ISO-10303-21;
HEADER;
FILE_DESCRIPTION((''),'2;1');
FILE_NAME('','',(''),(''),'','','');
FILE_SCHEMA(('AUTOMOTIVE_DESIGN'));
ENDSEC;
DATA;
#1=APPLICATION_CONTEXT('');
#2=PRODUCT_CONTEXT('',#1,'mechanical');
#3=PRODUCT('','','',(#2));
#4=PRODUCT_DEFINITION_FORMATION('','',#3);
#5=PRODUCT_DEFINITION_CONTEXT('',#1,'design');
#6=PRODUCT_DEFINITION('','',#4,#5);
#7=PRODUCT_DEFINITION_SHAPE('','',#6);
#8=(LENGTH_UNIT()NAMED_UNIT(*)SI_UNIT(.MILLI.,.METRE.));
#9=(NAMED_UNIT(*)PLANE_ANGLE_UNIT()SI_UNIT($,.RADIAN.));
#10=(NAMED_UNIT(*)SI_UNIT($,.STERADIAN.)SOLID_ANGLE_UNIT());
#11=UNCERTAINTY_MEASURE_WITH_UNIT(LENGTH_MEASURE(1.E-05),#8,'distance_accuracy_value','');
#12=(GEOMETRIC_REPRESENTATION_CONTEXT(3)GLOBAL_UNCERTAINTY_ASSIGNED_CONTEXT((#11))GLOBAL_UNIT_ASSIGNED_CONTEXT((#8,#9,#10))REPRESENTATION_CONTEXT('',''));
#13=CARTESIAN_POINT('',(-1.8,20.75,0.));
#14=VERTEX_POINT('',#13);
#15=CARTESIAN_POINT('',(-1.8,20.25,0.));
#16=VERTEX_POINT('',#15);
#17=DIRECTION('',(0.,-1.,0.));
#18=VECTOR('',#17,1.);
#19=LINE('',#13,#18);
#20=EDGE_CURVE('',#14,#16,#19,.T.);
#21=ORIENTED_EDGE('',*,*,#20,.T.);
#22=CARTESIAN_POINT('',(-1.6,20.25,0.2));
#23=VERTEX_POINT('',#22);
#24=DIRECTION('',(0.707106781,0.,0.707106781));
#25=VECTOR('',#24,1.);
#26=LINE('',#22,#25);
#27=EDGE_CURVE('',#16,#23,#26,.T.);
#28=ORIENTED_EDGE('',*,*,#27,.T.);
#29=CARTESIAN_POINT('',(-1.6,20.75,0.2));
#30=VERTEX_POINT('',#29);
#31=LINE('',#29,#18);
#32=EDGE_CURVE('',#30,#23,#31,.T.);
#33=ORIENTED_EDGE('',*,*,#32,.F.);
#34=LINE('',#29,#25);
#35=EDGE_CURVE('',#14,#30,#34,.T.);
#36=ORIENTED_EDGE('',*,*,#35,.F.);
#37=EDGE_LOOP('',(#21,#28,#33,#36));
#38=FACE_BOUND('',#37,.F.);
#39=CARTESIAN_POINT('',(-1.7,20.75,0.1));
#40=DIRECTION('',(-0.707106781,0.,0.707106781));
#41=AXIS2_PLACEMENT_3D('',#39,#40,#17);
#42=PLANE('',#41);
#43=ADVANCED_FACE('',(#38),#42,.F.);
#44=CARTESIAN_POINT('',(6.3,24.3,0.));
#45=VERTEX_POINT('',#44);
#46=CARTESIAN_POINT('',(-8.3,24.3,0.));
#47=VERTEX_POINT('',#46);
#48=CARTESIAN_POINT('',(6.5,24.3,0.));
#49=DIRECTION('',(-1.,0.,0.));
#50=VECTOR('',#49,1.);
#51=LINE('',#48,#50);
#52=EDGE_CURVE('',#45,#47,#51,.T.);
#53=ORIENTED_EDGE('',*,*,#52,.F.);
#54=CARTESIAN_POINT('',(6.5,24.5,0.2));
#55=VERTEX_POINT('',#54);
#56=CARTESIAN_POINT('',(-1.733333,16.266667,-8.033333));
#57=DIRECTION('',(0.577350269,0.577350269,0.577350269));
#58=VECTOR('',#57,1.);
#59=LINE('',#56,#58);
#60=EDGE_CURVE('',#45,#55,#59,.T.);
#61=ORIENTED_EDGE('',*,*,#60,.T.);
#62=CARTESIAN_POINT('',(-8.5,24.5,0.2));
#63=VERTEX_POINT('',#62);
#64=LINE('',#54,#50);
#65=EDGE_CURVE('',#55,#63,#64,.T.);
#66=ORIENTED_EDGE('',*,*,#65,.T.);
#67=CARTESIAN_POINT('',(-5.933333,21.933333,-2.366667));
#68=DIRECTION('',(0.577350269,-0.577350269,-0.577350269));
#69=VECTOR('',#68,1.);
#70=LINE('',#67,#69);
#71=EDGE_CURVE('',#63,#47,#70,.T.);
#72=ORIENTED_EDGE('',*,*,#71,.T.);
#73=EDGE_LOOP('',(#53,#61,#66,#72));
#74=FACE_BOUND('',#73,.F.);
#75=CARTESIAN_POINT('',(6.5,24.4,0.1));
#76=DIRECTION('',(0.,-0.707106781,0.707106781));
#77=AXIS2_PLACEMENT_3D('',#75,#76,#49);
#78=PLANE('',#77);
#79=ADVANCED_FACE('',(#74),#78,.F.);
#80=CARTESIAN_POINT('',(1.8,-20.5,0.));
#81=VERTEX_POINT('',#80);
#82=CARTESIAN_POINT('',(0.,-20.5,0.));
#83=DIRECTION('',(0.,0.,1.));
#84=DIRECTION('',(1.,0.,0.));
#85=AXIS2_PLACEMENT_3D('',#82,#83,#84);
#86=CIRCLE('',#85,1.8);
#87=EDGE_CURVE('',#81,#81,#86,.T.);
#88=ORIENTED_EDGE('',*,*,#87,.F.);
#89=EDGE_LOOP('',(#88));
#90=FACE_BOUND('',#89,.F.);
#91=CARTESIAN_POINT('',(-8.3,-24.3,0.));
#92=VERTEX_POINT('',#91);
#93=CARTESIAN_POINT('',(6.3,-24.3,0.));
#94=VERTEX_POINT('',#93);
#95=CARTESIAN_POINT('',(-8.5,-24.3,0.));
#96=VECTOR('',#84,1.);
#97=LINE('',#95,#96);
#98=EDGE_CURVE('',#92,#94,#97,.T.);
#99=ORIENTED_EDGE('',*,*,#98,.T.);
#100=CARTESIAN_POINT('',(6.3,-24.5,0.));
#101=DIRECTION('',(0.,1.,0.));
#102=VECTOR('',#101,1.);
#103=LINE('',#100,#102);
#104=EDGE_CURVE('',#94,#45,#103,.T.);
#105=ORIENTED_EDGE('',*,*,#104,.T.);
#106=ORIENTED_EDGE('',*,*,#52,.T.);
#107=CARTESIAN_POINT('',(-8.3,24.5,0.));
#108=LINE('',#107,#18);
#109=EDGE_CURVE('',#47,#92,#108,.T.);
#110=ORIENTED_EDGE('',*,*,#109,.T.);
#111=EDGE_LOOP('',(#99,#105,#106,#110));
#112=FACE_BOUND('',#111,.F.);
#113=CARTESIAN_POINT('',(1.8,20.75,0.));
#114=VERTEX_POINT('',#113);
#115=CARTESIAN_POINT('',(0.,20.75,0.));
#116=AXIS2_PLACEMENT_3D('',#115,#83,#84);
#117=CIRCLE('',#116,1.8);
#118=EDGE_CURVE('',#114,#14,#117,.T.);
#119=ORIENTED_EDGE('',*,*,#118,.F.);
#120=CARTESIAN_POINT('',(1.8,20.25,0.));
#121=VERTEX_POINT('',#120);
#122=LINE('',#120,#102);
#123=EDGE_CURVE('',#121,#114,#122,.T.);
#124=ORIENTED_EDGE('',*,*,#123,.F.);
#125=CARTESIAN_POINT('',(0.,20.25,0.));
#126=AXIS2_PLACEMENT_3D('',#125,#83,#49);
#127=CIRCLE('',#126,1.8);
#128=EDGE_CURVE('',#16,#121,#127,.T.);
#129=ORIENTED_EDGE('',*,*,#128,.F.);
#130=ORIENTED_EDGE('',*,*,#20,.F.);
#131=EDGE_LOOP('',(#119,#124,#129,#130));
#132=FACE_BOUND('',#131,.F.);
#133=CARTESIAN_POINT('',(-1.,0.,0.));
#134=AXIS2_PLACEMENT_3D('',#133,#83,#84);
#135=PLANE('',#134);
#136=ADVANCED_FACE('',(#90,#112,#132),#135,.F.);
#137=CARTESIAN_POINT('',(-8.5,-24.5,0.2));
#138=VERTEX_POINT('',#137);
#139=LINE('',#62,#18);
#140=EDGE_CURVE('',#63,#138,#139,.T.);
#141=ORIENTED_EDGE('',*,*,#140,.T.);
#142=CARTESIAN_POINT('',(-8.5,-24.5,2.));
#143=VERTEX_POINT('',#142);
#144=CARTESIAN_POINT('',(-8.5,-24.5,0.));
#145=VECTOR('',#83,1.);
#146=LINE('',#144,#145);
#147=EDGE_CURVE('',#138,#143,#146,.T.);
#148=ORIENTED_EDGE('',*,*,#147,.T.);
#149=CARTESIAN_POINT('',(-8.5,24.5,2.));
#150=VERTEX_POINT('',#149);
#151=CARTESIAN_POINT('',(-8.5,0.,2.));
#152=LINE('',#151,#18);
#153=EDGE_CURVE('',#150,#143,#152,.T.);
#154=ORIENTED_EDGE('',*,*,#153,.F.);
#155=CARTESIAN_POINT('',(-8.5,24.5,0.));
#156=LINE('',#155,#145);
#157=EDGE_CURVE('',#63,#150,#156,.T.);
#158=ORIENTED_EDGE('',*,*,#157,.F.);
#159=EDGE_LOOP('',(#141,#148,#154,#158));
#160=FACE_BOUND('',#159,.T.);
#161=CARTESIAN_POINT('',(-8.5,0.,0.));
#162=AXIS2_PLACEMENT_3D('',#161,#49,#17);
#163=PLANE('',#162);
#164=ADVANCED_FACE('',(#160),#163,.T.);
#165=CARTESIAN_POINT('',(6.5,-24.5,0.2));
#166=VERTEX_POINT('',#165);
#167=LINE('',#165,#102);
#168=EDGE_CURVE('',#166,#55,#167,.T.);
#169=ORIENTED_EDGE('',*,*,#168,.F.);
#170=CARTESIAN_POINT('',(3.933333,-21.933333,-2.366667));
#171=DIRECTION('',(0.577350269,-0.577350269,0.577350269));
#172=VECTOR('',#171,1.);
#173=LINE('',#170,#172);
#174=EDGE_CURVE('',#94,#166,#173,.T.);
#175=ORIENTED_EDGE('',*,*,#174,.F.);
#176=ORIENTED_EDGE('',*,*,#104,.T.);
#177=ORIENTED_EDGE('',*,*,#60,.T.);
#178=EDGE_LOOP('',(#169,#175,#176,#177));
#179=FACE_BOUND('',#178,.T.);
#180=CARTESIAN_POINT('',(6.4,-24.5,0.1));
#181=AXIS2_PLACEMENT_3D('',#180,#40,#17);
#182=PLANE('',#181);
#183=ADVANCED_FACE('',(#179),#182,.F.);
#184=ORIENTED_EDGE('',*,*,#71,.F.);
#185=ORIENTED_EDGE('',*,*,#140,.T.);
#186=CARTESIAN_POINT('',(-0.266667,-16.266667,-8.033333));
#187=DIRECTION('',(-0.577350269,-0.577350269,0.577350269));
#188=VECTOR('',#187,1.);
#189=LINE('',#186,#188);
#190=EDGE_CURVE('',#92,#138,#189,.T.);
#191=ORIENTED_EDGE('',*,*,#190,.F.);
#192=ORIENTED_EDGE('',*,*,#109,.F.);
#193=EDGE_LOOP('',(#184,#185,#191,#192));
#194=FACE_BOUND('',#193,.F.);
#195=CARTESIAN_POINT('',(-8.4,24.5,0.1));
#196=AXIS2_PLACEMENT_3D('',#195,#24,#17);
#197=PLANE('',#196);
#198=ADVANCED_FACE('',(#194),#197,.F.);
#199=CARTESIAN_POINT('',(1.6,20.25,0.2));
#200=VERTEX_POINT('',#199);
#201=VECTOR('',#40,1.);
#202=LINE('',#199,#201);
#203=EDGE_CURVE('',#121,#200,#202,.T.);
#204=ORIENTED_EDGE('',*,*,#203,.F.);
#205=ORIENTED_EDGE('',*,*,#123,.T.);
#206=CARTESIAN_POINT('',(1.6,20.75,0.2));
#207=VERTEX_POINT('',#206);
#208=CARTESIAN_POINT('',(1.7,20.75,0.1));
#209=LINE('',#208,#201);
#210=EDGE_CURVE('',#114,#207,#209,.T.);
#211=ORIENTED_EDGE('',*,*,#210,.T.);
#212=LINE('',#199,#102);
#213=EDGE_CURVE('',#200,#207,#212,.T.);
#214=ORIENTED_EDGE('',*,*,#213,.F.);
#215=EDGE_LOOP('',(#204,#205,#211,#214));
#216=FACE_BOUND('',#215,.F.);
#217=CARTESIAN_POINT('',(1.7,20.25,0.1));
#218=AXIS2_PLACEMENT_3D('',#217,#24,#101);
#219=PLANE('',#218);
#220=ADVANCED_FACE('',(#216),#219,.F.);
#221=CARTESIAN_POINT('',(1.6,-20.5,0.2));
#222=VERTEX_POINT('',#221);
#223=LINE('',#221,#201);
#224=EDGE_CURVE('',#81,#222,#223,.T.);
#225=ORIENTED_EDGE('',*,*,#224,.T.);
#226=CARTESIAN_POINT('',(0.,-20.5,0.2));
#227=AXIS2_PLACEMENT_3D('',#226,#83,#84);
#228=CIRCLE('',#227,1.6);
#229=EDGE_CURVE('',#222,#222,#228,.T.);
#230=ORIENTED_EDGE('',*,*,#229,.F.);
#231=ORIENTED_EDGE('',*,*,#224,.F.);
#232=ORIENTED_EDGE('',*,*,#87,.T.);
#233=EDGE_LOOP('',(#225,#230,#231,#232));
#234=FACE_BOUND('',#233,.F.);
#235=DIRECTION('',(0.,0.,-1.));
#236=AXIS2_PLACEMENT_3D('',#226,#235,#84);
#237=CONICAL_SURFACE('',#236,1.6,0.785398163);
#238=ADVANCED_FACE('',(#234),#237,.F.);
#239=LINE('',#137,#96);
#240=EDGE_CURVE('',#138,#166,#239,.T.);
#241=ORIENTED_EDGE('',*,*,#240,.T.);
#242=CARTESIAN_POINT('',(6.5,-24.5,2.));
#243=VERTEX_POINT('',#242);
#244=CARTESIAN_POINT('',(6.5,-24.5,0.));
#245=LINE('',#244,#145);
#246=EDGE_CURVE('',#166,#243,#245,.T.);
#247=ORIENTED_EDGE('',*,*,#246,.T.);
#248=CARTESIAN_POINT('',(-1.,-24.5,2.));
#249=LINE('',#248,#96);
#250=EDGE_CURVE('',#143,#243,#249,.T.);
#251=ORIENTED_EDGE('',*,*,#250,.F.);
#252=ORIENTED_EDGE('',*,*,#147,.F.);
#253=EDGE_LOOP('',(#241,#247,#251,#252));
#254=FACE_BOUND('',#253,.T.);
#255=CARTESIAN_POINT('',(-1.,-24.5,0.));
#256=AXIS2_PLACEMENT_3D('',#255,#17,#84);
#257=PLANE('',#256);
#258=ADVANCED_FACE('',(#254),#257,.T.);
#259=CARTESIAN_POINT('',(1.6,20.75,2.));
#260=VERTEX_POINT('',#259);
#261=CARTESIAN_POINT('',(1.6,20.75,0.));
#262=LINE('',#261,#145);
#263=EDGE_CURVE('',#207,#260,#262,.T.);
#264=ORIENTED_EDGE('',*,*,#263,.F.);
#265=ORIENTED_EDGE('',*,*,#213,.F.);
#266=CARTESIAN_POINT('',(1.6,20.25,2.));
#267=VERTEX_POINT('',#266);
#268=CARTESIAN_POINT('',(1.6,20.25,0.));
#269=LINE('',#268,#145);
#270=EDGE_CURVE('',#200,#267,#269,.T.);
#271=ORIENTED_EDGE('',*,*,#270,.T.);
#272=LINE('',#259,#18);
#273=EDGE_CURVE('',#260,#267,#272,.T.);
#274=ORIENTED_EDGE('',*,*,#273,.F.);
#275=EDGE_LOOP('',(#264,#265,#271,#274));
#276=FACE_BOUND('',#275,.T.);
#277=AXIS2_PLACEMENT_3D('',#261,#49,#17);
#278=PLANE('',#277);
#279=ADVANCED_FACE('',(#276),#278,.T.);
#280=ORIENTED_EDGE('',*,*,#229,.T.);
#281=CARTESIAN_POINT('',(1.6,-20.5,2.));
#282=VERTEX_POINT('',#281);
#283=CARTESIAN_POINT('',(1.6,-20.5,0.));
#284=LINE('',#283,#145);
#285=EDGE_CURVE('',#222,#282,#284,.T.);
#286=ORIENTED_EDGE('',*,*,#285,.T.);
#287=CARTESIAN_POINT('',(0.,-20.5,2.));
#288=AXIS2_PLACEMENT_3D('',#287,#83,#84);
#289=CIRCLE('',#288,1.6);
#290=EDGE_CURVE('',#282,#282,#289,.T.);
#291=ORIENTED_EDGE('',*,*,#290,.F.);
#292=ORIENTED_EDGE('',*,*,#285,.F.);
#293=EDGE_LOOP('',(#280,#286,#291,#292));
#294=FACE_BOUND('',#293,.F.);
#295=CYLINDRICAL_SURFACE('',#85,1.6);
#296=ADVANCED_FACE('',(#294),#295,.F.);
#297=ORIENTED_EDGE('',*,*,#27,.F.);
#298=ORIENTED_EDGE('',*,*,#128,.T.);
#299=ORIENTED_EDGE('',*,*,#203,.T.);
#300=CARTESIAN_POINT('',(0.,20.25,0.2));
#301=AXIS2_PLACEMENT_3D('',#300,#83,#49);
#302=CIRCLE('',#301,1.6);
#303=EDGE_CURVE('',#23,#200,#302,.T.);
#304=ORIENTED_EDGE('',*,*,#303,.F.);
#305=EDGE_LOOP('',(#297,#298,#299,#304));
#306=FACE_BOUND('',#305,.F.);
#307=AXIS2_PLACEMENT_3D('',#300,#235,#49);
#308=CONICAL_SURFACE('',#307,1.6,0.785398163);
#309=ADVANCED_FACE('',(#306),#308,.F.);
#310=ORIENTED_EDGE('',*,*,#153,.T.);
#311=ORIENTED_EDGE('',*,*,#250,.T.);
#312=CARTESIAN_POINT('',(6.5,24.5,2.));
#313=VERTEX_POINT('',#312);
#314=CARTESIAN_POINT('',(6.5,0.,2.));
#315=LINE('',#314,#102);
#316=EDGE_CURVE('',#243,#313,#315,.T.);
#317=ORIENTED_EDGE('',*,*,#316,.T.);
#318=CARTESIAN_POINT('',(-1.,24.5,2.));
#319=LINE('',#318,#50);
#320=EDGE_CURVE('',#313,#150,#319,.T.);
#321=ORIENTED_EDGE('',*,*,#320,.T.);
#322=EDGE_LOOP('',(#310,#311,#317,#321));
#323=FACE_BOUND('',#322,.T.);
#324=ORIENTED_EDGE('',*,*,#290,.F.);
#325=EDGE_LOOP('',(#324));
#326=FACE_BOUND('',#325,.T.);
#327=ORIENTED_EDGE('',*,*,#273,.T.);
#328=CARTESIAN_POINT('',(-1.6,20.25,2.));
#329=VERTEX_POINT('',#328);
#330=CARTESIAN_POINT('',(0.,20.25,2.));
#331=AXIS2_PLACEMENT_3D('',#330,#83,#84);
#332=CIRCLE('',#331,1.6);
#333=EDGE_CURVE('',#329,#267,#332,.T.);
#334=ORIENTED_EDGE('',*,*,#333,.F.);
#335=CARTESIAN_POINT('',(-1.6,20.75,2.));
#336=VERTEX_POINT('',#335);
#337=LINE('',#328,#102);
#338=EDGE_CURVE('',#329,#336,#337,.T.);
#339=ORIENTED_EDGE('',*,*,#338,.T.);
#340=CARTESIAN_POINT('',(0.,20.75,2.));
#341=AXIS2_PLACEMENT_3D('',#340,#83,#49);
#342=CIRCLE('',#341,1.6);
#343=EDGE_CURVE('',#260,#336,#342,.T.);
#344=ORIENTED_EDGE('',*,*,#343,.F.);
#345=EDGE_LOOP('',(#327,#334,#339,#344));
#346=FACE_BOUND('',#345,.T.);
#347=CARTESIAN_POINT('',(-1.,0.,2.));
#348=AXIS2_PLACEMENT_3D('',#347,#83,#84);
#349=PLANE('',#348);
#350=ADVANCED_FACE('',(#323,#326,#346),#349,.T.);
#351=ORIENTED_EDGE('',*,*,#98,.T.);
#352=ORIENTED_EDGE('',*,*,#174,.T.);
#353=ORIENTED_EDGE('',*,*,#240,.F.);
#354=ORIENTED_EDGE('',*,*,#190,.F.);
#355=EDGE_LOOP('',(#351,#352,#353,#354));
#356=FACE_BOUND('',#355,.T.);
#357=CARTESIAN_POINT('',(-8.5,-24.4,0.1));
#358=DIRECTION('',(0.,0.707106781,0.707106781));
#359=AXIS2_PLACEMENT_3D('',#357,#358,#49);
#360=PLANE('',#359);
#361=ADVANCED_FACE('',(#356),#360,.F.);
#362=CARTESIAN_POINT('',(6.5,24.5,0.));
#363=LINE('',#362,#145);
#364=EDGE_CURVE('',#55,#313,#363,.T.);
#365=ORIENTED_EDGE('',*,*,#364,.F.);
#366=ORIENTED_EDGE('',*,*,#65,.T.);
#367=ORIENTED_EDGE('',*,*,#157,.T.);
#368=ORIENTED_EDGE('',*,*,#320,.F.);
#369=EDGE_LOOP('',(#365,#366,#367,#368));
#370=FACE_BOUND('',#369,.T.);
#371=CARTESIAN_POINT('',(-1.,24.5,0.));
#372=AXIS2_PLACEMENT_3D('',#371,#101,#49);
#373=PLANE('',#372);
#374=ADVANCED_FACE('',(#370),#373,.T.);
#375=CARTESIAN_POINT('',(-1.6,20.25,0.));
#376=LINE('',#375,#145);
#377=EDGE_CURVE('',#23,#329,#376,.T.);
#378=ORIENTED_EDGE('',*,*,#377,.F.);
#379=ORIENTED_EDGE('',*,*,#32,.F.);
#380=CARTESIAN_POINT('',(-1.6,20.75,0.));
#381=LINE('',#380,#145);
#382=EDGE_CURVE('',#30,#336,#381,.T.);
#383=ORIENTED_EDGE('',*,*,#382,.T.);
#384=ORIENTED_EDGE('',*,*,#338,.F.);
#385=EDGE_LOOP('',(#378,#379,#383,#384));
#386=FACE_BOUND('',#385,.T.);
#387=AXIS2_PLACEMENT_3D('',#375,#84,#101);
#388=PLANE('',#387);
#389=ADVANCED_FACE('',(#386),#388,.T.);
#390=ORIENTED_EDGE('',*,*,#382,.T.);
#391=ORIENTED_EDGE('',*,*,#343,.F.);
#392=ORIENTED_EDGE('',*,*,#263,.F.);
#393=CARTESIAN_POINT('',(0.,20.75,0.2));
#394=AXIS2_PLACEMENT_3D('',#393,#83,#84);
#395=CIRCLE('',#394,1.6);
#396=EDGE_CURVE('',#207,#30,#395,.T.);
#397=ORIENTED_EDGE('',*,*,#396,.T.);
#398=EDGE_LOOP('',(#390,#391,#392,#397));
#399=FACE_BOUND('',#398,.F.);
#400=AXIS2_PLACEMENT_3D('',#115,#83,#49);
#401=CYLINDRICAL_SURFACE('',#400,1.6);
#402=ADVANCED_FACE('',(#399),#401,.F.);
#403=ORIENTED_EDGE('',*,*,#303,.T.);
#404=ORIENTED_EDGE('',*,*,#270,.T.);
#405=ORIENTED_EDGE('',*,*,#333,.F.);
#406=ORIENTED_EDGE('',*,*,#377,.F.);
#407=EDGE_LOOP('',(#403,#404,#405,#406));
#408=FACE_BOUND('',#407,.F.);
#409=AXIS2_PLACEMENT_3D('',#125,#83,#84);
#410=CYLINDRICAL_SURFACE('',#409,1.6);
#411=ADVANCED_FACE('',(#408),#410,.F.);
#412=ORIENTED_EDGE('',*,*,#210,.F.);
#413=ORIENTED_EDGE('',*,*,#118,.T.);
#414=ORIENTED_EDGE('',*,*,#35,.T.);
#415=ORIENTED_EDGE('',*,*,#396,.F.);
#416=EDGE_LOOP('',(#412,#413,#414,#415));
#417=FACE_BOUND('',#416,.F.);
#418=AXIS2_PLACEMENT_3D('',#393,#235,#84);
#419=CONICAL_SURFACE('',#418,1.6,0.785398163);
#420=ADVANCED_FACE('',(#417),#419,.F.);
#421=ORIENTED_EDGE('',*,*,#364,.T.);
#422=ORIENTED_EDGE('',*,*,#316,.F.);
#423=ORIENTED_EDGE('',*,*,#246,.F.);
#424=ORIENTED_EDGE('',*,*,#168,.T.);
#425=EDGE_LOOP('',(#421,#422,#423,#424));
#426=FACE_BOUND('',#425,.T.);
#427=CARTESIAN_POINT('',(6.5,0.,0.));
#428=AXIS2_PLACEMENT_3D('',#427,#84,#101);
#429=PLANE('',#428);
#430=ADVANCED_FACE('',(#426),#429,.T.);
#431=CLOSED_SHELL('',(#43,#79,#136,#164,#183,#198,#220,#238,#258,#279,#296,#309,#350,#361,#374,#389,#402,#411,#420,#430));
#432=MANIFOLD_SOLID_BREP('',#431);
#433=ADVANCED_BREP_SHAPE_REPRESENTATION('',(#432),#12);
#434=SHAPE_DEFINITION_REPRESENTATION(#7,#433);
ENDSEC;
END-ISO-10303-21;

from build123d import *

# Parameters (mm, degrees)
F0_W    = 15
F0_H    = 49
F0_R    = 1.6
F3_SIZE = 0.2


with BuildPart() as f2:
    # F2: sweep along a path in F1
    with BuildLine(Plane.XZ) as f2_path:
        Line((0, 0), (0, 2))
    # F0 (on Top) → F2 (sweep)
    with BuildSketch(Plane.XY):
        with Locations((-1, 0)):
            Rectangle(F0_W, F0_H)
        with Locations((0, -20.5)):
            Circle(F0_R, mode=Mode.SUBTRACT)
        with BuildLine():
            Line((-1.6, 20.25), (-1.6, 20.75))
            ThreePointArc((-1.6, 20.75), (0, 22.35), (1.6, 20.75))
            Line((1.6, 20.75), (1.6, 20.25))
            ThreePointArc((1.6, 20.25), (0, 18.65), (-1.6, 20.25))
        make_face(mode=Mode.SUBTRACT)
    sweep(path=f2_path.line)

    # F3
    f3_edges = [f2.edges().sort_by_distance(p)[0] for p in [
        (6.5, 0, 0),
        (-1, -24.5, 0),
        (-1, 24.5, 0),
        (-8.5, 0, 0),
        (-1.6, -20.5, 0),
        (0, 18.65, 0),
        (1.6, 20.5, 0),
        (0, 22.35, 0),
        (-1.6, 20.5, 0),
    ]]
    chamfer(f3_edges, length=F3_SIZE)


solid = f2.part
